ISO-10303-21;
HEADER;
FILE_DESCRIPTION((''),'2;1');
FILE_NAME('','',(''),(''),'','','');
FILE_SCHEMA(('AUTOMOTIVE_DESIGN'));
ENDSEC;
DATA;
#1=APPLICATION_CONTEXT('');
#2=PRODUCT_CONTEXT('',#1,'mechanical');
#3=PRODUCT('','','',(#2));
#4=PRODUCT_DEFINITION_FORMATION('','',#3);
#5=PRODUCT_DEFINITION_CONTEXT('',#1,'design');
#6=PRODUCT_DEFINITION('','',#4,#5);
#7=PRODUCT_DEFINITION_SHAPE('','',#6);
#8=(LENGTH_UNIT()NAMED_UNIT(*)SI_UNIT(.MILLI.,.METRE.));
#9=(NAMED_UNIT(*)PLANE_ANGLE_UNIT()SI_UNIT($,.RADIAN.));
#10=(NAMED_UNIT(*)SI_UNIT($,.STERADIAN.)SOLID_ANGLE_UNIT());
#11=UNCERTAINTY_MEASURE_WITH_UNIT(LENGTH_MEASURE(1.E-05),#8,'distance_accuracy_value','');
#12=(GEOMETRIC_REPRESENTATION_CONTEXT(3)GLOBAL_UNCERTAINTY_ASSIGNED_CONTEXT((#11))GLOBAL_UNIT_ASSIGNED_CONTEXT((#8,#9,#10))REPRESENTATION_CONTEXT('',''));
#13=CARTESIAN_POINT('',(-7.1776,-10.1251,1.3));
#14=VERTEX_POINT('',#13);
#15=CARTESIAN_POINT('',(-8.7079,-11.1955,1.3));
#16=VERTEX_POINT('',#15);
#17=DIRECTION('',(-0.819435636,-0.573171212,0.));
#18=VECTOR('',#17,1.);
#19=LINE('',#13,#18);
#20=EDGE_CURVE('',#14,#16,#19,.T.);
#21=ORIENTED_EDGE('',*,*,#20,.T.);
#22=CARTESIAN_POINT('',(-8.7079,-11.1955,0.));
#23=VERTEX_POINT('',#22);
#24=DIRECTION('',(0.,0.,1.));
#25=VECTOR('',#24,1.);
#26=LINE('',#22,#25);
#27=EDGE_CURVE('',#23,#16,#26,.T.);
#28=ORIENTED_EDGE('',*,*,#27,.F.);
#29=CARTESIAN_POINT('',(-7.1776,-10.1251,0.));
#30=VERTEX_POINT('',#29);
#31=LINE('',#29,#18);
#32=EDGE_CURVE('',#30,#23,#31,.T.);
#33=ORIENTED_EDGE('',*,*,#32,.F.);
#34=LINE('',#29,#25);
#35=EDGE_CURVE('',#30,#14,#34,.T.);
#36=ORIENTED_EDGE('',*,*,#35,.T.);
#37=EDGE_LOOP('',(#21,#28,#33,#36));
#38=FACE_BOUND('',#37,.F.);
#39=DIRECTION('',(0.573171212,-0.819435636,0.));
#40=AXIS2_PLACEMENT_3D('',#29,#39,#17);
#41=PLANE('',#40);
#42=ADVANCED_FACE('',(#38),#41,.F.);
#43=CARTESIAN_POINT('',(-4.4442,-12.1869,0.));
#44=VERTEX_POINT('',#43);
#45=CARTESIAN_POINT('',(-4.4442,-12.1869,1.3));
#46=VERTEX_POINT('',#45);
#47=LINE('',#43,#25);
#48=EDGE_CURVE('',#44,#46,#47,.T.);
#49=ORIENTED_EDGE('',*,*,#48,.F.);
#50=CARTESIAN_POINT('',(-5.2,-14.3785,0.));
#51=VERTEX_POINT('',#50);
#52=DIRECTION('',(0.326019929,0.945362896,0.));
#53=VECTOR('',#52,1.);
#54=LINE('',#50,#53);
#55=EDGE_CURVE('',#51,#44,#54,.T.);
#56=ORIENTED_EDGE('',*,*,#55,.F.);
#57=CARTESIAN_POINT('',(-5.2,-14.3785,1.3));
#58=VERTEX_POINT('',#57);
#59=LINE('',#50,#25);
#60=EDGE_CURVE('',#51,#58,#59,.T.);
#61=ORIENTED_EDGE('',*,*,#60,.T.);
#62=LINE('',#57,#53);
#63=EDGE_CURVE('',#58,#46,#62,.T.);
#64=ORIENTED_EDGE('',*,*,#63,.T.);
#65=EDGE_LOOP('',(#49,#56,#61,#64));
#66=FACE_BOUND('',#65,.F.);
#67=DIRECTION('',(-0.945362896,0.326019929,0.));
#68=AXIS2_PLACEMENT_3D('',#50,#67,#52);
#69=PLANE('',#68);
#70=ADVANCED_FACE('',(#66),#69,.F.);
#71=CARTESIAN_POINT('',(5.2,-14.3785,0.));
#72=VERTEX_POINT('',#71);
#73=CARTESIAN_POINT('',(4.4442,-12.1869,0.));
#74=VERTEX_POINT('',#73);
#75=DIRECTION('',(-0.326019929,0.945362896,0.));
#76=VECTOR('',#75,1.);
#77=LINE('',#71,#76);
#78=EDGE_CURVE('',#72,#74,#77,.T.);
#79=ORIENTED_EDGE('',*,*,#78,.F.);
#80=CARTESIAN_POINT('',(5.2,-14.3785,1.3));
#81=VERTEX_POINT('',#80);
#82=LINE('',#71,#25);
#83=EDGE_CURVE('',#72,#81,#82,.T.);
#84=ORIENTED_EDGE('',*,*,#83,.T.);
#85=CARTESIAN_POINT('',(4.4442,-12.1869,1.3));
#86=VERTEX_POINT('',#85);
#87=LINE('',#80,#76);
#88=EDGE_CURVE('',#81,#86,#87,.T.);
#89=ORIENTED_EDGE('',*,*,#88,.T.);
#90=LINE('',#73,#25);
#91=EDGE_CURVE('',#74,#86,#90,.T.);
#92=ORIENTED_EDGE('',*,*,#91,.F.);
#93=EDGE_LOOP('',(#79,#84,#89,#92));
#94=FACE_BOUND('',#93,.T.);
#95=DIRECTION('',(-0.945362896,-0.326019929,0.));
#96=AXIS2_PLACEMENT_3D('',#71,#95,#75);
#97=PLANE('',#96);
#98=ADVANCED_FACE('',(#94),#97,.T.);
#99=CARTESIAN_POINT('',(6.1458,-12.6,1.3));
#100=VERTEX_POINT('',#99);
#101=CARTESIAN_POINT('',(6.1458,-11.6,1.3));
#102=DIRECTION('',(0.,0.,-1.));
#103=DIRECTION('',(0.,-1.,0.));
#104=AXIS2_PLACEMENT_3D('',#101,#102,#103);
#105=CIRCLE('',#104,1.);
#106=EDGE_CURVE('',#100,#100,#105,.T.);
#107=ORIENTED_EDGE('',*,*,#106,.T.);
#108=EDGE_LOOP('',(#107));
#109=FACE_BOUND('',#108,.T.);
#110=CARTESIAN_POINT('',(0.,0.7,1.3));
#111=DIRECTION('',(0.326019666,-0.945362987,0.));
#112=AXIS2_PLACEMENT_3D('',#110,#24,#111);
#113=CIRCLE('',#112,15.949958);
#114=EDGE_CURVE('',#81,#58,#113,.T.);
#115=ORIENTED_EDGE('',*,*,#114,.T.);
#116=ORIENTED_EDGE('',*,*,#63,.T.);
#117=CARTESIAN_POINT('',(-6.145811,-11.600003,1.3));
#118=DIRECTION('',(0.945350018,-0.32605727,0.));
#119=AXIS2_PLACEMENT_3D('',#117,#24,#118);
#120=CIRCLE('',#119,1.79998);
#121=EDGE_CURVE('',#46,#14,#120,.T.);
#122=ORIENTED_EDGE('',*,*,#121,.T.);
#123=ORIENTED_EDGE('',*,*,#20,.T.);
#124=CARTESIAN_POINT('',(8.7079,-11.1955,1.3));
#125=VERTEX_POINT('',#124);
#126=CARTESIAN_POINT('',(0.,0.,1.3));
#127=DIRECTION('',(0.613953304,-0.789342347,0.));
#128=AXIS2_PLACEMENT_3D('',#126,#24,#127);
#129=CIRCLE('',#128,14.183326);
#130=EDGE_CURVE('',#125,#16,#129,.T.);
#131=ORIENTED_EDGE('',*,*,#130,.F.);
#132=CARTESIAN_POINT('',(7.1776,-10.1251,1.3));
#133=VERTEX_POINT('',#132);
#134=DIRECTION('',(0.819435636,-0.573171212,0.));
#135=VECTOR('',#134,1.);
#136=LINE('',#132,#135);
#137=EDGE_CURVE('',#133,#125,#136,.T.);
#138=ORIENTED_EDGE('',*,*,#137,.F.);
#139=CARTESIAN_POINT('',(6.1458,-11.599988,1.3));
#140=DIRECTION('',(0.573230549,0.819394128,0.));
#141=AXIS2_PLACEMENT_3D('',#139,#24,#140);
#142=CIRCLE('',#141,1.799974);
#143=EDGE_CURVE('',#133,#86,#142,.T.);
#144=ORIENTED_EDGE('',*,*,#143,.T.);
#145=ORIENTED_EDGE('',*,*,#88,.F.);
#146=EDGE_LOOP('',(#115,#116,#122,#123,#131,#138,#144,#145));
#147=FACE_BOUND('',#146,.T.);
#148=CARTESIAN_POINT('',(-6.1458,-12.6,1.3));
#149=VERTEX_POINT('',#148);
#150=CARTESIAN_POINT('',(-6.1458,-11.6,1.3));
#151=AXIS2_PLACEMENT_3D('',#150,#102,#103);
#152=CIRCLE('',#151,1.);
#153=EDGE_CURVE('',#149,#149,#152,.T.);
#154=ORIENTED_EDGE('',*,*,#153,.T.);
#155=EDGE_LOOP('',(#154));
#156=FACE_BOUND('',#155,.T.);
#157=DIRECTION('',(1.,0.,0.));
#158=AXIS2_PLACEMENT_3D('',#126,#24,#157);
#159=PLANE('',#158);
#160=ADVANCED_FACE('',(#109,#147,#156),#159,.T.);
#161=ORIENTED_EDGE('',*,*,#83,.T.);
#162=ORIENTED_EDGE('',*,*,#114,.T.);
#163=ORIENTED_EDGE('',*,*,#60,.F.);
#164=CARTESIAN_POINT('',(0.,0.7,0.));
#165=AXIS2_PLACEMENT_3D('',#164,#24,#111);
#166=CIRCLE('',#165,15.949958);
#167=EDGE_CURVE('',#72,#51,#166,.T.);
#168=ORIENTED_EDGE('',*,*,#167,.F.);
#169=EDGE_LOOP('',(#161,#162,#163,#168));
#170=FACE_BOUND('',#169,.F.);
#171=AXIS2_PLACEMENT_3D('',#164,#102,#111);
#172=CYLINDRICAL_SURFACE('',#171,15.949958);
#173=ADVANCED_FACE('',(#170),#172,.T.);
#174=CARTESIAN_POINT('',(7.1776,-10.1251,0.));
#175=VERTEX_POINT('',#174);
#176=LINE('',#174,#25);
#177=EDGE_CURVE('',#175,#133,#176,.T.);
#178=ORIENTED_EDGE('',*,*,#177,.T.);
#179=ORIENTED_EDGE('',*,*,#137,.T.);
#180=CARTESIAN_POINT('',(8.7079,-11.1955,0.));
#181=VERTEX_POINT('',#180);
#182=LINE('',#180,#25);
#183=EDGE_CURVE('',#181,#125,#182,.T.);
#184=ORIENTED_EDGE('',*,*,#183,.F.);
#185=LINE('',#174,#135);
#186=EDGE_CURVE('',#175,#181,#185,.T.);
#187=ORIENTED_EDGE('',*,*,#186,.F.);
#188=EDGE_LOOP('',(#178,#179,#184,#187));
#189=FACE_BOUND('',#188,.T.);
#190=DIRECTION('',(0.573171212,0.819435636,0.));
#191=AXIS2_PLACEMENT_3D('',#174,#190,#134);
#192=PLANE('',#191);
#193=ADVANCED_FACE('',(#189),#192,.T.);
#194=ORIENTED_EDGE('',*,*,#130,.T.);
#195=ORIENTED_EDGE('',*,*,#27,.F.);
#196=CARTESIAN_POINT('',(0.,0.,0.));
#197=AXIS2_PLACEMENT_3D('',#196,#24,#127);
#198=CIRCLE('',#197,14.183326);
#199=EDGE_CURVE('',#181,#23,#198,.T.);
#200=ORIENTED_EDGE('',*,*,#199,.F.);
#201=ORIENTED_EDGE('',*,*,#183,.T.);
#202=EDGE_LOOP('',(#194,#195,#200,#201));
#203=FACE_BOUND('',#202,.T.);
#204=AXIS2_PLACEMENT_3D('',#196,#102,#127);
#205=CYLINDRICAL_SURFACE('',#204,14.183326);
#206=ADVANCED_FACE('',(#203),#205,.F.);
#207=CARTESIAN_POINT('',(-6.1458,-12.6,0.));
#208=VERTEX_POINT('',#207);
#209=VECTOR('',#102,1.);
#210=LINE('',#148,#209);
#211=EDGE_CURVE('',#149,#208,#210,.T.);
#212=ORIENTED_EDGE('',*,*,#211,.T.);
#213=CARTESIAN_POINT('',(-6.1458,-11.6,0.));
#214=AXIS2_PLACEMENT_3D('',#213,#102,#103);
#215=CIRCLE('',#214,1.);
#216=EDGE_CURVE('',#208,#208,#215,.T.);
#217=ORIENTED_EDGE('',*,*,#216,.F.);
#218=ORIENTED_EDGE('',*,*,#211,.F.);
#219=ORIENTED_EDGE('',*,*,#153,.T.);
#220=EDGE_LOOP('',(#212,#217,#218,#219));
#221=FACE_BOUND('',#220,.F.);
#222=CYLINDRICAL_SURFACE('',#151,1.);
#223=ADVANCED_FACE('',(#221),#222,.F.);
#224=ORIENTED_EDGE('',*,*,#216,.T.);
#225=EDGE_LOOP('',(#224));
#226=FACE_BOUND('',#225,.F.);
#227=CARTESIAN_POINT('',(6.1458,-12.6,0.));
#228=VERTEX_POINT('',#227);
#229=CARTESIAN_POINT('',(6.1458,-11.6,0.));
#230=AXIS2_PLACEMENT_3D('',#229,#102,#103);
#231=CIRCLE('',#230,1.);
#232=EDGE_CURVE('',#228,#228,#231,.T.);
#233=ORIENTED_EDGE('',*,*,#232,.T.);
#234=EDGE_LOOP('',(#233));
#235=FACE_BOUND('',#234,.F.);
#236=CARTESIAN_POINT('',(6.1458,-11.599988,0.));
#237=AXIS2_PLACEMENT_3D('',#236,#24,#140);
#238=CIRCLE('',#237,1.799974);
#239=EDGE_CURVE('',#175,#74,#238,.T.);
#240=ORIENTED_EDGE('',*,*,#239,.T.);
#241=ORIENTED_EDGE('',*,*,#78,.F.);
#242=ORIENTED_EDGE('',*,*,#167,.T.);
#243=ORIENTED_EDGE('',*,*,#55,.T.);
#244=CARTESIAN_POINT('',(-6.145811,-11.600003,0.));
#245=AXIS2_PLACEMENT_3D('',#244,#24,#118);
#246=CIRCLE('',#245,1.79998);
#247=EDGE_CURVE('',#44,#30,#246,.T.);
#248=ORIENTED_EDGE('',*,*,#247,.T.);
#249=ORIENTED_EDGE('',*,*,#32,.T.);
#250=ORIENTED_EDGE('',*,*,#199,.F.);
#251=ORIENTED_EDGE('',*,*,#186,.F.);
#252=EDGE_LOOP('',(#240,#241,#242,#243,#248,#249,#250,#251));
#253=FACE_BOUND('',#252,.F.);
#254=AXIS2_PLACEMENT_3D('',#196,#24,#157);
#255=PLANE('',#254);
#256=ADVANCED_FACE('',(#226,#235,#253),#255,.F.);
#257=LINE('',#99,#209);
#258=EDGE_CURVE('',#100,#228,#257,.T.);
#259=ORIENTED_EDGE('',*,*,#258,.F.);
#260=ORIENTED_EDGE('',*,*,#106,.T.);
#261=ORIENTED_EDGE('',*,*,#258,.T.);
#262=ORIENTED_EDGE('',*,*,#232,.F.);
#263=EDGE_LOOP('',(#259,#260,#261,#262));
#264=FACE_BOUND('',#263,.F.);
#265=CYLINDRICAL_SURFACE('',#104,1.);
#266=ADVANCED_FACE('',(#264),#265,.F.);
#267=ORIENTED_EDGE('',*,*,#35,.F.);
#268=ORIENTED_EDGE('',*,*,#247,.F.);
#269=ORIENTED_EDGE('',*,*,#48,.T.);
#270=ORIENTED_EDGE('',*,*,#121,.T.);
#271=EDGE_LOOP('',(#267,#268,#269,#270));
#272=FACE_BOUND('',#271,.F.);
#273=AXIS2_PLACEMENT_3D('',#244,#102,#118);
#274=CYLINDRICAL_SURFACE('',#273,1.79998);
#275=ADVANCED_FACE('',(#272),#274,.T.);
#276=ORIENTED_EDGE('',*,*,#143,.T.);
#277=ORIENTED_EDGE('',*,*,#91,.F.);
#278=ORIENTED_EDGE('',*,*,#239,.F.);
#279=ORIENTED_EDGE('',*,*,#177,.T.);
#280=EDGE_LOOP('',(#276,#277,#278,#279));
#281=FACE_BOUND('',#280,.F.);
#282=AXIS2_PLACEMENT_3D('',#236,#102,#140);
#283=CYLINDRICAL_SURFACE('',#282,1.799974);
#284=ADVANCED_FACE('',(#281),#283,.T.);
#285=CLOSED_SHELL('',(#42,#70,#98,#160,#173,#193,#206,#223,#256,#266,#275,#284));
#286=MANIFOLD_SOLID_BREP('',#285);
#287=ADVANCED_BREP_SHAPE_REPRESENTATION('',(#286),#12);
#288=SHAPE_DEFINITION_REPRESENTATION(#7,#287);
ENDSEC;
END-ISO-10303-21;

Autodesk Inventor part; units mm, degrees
ref_plane "WorkPlane1" through (0, 0, 0) normal (0, 0, 1) x (1, 0, 0)
ref_plane "Work Plane2" through (0, 0, -1.3) normal (0, 0, 1) x (1, 0, 0)
ref_plane "WorkPlane2" through (0, 0, 1) normal (0, 0, 1) x (1, 0, 0)
sketch "Szkic1" plane through (0, 0, 0) normal (0, 0, 1) x (1, 0, 0)
  point P0 (0, 0)
sketch "Szkic2" plane through (0, 0, 0) normal (0, 0, 1) x (1, 0, 0)
  line L0 (5.2, -14.3785) -> (4.4442, -12.1869)
  arc A0 (7.1776, -10.1251) -> (4.4442, -12.1869) centre (6.1458, -11.6) ccw
  line L1 (7.1776, -10.1251) -> (8.7079, -11.1955)
  arc A1 (8.7079, -11.1955) -> (-8.7079, -11.1955) centre (0, 0) ccw
  line L2 (-7.1776, -10.1251) -> (-8.7079, -11.1955)
  arc A2 (-4.4442, -12.1869) -> (-7.1776, -10.1251) centre (-6.1458, -11.6) ccw
  line L3 (-5.2, -14.3785) -> (-4.4442, -12.1869)
  arc A3 (5.2, -14.3785) -> (-5.2, -14.3785) centre (0, 0.7) ccw
  line L4 (0, 0.7) -> (-5.2, -14.3785) construction
  line L5 (0, 0.7) -> (5.2, -14.3785) construction
  dimension "d2" = 15.95
  dimension "d4" = 0
  dimension "d6" = 14.1833
  dimension "d8" = 0.7
  dimension "d10" = 5.2
  dimension "d12" = 5.2
  dimension "d14" = 1.8
  dimension "d16" = 1.8
  dimension "d18" = 13.75
  dimension "d20" = 13.75
  dimension "d22" = 36
  dimension "d24" = 36
extrude "Wyciągnięcie proste1" add sketch "Szkic2" along normal blind 1.3
sketch "Szkic3" plane through (0, 0, 1.3) normal (0, 0, 1) x (1, 0, 0)
  arc A0 (-4.4442, -12.1869) -> (-7.1776, -10.1251) centre (-6.1458, -11.6) ccw projected
hole "Otwór1" at (-6.1458, -11.6, 1.3) direction (0, 0, -1) diameter 2 end through all
sketch "Szkic4" plane through (0, 0, 1.3) normal (0, 0, 1) x (1, 0, 0)
  arc A0 (7.1776, -10.1251) -> (4.4442, -12.1869) centre (6.1458, -11.6) ccw projected
hole "Otwór2" at (6.1458, -11.6, 1.3) direction (0, 0, -1) diameter 2 end through all
equation "\"d2\" = 0.5 * Diam2"
equation "\"d6\" = 0.5 * msp_dd1"
equation "\"d8\" = -0.5 * msp_dd1 + 0.5 * Diam2 - 0.222222 * ParA"
equation "\"d10\" = 2.6 * Diam5"
equation "\"d12\" = 2.6 * Diam5"
equation "\"d14\" = 0.9 * Diam5"
equation "\"d16\" = 0.9 * Diam5"
equation "\"d18\" = 1.3 * Diam5 + 0.5 * Diam2 - ParA"
equation "\"d20\" = 1.3 * Diam5 + 0.5 * Diam2 - ParA"
equation "\"d25\" = ParS"
equation "\"d29\" = Diam5"
equation "\"d36\" = Diam5"
equation "\"Diam5\" = 2"
equation "\"ParA\" = 4.8"
equation "\"ParS\" = 1.3"
equation "\"Diam2\" = 31.9"
equation "\"msp_dd1\" = -b + Diam2 - 0.111111 * ParA"
equation "\"msp_pom\" = 0.5 * Diam2 - b"
equation "\"TEMPLATE\" = 1.2345"
properties part number "ANSI B 27.7M - 3BMI-30" material "Stal, miękka"
